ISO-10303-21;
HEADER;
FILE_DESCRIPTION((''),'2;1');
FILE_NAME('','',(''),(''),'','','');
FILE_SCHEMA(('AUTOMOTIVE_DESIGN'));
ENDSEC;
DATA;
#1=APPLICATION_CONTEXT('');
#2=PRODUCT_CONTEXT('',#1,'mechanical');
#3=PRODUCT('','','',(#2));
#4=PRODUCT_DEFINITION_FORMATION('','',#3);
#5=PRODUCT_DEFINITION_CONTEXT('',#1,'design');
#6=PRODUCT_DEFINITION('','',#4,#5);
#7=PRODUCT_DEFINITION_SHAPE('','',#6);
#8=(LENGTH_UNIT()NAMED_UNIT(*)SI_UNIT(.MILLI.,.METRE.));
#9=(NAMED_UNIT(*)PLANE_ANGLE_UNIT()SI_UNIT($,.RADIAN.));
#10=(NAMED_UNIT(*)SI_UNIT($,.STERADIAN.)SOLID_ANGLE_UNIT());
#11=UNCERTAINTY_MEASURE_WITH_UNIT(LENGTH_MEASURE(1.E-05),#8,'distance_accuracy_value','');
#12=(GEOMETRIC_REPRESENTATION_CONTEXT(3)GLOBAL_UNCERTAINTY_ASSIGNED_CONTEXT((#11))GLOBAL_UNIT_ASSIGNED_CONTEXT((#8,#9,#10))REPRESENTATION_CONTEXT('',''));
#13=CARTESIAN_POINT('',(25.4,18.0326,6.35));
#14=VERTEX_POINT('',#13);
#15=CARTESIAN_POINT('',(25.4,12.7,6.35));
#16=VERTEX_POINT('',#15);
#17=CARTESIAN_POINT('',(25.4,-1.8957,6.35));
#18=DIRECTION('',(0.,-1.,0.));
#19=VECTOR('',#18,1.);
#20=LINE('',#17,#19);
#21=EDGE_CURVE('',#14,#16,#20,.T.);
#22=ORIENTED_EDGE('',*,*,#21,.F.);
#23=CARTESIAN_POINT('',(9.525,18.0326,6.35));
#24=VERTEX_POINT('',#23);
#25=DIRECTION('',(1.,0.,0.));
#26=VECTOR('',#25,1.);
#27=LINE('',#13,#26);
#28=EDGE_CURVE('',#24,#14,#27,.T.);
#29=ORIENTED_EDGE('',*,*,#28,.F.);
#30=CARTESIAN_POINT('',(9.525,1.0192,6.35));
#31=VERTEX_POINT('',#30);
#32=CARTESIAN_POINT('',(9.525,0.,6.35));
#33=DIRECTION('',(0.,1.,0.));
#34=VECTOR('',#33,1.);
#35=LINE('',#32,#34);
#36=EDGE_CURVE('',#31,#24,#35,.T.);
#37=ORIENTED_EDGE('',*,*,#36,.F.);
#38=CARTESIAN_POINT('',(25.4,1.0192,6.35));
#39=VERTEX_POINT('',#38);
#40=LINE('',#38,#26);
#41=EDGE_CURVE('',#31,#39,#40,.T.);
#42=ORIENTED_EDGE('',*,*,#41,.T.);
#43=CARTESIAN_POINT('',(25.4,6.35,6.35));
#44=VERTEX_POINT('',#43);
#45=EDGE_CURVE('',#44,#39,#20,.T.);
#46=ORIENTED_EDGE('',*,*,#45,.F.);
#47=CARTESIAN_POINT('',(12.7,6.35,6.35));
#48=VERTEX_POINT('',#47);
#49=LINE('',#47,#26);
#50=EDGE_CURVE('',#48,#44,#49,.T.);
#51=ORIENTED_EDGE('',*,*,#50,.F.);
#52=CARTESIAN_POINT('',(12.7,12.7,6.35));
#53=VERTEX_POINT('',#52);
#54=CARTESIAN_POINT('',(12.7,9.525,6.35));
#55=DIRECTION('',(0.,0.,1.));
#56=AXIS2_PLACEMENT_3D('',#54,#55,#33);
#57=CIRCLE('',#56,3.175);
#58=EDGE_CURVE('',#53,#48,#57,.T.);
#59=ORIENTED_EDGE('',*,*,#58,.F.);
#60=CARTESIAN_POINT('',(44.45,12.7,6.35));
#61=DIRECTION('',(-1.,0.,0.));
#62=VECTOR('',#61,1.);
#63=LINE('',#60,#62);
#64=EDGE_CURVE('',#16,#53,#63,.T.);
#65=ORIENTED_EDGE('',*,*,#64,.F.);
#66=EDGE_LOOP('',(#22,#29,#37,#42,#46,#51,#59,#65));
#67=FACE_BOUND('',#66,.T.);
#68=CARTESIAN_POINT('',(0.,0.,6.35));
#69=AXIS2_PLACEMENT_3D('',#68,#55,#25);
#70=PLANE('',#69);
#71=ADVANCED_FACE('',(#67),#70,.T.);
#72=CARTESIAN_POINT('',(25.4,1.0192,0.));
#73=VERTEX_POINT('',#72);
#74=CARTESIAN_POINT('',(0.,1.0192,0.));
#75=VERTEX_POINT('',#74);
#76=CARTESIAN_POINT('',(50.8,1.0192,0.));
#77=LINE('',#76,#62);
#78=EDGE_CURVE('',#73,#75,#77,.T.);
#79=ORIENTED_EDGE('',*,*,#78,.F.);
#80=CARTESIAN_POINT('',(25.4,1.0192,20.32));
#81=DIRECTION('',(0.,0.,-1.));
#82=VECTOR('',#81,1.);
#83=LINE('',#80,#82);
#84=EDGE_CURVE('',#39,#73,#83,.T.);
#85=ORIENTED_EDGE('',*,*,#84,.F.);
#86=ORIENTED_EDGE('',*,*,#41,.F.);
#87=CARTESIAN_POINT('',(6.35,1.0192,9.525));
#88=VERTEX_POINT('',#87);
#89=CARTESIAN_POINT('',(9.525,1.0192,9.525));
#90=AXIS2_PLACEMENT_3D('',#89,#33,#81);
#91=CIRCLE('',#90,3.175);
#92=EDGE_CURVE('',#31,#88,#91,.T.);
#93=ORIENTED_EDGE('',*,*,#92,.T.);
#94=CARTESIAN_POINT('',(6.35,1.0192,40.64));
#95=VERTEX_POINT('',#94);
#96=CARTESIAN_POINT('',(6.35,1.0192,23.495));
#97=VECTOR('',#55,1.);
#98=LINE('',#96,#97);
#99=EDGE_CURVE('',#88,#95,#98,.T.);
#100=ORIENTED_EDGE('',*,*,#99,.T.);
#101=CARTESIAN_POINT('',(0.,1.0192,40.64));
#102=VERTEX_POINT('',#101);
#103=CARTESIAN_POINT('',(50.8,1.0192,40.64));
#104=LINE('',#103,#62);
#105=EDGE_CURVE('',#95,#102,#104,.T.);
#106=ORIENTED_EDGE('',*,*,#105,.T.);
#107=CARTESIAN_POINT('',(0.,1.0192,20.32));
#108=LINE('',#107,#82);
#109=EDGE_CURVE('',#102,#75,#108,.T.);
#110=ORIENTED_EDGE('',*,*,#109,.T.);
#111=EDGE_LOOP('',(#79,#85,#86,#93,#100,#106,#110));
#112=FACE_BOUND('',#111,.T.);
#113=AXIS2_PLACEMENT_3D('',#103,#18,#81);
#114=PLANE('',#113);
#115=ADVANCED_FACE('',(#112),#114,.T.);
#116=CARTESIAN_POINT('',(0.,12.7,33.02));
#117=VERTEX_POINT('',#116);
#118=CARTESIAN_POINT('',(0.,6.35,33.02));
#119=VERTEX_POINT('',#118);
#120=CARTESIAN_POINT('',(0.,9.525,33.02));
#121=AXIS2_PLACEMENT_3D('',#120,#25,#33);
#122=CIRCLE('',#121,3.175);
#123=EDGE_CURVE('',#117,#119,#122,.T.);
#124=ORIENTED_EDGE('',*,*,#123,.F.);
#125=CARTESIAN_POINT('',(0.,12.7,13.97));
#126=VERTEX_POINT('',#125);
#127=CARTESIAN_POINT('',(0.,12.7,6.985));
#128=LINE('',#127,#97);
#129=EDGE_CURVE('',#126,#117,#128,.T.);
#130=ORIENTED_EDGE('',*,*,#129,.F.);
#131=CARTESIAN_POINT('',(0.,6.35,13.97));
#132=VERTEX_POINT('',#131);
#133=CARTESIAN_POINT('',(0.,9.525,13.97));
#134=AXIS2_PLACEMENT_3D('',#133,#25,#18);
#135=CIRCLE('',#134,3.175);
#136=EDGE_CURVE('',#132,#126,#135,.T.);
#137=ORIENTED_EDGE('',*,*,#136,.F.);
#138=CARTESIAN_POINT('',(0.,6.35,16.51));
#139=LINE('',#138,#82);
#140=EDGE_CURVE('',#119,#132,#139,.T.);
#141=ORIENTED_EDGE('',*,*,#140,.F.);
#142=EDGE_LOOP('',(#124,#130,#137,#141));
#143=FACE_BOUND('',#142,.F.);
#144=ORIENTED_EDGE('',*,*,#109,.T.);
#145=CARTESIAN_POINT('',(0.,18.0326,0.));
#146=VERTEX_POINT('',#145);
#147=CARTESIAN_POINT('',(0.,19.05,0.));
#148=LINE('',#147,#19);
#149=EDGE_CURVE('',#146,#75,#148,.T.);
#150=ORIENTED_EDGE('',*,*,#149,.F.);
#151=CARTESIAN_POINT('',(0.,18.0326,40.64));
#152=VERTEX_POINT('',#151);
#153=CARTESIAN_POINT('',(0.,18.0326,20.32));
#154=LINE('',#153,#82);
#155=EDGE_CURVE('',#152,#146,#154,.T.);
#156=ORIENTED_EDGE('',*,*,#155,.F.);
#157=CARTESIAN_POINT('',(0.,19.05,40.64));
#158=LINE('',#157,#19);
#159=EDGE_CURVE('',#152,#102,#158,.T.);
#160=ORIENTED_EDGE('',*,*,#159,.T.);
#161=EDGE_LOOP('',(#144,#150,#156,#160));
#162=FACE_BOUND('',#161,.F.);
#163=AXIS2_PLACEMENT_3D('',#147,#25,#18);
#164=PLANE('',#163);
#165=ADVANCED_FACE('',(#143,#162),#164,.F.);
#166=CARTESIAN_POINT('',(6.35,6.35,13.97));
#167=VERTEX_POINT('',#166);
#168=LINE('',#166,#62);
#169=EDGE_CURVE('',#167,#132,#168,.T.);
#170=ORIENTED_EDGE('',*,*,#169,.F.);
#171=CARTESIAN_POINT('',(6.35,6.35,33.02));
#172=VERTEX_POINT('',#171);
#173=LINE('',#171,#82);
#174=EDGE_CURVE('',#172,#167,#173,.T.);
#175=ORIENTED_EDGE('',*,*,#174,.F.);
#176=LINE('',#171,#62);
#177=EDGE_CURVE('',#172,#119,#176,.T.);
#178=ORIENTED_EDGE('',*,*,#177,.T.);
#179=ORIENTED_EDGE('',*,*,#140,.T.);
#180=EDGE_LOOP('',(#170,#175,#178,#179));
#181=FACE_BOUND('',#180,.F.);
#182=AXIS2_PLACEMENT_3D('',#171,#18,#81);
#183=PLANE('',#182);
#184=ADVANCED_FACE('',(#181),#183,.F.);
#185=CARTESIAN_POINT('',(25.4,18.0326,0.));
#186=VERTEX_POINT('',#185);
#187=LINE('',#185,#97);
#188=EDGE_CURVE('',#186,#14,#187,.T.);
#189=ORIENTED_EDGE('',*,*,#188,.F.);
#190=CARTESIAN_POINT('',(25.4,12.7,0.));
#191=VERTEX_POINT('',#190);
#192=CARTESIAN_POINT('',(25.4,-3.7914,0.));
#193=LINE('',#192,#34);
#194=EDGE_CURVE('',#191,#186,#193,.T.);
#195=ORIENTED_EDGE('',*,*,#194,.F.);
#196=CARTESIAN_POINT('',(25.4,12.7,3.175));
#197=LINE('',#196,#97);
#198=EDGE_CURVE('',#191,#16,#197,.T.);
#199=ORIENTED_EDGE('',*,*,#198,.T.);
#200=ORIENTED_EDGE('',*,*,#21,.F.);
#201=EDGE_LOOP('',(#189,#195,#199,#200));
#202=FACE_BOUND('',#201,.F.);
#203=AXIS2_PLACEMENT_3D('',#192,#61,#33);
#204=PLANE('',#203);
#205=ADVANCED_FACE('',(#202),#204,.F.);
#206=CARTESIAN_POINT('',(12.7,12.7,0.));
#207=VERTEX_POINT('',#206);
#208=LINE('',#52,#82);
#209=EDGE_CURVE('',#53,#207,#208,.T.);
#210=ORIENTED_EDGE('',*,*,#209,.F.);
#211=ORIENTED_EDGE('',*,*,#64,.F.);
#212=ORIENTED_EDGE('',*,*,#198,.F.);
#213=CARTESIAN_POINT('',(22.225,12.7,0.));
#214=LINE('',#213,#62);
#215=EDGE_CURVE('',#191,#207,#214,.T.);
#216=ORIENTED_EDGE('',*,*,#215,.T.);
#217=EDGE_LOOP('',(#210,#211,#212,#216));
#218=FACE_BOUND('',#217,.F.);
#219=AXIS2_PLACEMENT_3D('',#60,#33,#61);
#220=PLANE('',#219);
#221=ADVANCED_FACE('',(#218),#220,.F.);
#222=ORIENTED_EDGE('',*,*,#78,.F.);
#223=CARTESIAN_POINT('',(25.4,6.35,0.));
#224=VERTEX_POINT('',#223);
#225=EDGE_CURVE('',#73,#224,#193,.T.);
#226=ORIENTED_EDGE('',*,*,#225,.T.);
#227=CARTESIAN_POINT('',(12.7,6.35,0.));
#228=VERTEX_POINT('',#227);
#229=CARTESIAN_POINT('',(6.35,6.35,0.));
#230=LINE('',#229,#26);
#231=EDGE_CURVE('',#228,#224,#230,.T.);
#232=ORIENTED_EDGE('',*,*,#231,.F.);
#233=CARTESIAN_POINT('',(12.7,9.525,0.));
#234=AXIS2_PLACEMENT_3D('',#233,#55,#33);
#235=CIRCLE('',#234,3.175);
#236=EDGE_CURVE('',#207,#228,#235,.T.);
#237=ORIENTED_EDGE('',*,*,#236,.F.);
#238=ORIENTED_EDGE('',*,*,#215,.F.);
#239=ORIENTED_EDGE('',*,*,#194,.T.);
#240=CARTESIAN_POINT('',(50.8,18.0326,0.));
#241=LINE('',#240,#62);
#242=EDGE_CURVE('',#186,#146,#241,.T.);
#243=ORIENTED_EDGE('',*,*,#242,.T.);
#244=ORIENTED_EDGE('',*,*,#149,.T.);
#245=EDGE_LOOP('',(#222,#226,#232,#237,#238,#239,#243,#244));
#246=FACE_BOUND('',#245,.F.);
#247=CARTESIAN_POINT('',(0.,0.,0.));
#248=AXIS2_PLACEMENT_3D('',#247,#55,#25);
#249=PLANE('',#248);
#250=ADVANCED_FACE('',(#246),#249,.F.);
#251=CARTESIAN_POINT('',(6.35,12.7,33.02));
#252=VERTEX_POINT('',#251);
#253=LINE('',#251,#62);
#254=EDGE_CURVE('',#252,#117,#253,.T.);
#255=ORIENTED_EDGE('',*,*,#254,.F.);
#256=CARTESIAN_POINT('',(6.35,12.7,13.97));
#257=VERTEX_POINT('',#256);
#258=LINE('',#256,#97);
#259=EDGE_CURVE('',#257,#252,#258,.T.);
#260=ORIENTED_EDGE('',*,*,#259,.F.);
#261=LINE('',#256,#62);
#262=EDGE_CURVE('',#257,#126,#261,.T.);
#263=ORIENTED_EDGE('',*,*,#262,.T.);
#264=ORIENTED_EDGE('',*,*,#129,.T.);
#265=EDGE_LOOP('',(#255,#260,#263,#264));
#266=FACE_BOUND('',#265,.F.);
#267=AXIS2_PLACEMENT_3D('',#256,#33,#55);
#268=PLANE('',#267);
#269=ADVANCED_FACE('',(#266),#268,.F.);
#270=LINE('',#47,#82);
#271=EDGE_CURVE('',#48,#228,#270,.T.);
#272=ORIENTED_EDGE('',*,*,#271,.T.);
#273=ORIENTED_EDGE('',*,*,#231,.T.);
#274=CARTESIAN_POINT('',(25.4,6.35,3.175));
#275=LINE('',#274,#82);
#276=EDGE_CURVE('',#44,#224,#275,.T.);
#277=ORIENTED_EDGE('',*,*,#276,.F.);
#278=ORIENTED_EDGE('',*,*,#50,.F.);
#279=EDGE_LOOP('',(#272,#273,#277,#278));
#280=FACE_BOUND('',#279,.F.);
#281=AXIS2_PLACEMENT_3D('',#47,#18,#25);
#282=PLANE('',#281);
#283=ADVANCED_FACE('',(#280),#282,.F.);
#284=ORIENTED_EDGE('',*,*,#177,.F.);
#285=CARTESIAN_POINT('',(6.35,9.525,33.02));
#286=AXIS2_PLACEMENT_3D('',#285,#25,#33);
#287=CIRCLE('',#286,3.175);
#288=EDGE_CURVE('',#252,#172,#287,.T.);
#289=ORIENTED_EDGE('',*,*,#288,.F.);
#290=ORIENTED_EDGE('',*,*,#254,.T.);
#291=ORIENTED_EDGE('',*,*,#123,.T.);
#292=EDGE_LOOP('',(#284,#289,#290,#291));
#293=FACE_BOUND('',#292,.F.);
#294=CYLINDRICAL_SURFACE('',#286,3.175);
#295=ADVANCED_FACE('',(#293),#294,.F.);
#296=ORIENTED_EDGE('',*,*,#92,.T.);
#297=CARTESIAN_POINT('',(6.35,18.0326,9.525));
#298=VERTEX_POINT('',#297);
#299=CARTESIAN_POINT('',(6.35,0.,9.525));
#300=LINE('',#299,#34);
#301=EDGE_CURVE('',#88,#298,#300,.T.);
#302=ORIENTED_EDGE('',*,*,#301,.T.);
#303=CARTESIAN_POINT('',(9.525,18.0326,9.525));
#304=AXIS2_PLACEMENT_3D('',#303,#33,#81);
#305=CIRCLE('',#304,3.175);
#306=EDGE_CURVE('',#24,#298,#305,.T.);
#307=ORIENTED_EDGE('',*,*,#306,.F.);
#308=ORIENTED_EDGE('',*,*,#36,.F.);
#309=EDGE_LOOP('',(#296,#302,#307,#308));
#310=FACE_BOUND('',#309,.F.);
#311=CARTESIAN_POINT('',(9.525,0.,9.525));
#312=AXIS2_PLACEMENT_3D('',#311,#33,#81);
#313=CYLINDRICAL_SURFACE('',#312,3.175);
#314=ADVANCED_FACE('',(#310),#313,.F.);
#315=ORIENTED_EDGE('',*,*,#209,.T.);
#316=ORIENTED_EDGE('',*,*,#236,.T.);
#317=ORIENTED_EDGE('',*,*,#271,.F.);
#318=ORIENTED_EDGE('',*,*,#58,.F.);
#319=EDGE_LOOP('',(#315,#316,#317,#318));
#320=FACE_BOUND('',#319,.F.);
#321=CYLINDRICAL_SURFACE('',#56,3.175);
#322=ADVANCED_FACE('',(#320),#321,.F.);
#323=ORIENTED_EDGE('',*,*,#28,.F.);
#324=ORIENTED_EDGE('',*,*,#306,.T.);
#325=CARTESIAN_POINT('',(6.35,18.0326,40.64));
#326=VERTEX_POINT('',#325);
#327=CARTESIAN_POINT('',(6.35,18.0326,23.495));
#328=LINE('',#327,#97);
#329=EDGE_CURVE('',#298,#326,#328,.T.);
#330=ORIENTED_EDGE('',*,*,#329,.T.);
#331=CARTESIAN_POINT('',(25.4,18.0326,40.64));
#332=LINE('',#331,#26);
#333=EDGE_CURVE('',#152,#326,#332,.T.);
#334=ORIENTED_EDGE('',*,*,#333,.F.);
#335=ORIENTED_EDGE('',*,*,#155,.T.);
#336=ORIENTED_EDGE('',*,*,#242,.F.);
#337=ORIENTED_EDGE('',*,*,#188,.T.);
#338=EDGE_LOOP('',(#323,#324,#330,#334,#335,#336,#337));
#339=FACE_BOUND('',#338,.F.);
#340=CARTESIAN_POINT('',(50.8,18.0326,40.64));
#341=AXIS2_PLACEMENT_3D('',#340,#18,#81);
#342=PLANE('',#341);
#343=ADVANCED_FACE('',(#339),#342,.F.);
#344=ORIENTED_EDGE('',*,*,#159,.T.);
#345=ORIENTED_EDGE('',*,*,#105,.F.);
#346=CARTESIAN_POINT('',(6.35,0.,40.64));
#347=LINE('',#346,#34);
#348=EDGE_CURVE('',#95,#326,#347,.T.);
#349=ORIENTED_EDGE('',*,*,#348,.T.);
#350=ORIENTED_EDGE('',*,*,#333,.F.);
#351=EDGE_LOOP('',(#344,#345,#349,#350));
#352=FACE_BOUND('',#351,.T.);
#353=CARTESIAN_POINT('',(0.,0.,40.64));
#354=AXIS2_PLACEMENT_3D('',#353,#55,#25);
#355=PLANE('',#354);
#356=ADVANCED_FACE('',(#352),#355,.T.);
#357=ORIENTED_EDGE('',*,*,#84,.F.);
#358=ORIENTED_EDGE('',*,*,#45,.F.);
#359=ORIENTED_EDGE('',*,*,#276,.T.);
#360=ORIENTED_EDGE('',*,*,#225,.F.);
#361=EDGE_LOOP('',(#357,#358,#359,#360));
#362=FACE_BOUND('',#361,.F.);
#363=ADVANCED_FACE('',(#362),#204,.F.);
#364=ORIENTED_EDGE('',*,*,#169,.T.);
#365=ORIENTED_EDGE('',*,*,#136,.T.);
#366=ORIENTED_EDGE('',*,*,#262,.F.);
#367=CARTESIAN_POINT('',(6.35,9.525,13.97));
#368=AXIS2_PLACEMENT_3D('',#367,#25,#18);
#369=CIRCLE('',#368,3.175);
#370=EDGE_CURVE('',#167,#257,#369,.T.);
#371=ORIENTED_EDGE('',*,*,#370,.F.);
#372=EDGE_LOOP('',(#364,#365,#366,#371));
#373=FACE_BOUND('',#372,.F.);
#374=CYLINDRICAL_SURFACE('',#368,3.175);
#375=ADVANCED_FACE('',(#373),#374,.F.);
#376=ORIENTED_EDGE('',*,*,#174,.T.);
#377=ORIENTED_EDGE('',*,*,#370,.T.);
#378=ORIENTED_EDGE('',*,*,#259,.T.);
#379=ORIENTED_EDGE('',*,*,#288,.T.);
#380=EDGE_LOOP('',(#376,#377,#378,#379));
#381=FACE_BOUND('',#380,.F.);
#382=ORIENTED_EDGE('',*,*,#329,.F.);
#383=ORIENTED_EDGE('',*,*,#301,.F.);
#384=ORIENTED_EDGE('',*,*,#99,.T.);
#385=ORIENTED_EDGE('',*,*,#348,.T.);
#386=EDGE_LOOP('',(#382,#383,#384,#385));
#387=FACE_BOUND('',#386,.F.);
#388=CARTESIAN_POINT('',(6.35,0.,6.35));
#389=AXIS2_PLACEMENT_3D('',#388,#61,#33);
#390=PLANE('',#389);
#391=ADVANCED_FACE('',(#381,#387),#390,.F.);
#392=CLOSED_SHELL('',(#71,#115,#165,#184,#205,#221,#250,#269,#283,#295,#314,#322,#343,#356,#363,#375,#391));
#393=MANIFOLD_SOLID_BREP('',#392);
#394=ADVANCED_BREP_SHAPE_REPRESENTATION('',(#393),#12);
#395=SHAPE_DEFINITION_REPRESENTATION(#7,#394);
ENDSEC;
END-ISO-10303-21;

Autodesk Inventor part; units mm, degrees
ref_plane "YZ Plane" through (0, 0, 0) normal (1, 0, 0) x (0, 1, 0)
ref_plane "XZ Plane" through (0, 0, 0) normal (0, 1, 0) x (-1, 0, 0)
ref_plane "XY Plane" through (0, 0, 0) normal (0, 0, 1) x (1, 0, 0)
sketch "Sketch1" plane through (0, 0, 0) normal (0, 0, 1) x (1, 0, 0)
  line L0 (0, 0) -> (50.8, 0)
  line L1 (50.8, 0) -> (50.8, 19.05)
  line L2 (50.8, 19.05) -> (0, 19.05)
  line L3 (0, 19.05) -> (0, 0)
  dimension "d0" = 50.8
  dimension "d1" = 19.05
extrude "Extrusion1" add sketch "Sketch1" along normal blind 6.35
sketch "Sketch2" plane through (0, 0, 6.35) normal (0, 0, 1) x (1, 0, 0)
  line L0 (0, 19.05) -> (0, 0) projected
  line L1 (50.8, 19.05) -> (0, 19.05) projected
  line L2 (0, 0) -> (6.35, 0)
  line L3 (6.35, 0) -> (6.35, 19.05)
  line L4 (6.35, 19.05) -> (0, 19.05)
  line L5 (0, 19.05) -> (0, 0)
  dimension "d4" = 6.35
extrude "Extrusion2" add sketch "Sketch2" along normal blind 34.29
sketch "Sketch3" plane through (6.35, 0, 6.35) normal (1, 0, 0) x (0, 0, -1)
  line L0 (-26.67, 9.525) -> (-7.62, 9.525) construction
  line L1 (-26.67, 6.35) -> (-7.62, 6.35)
  line L2 (-7.62, 12.7) -> (-26.67, 12.7)
  arc A0 (-26.67, 12.7) -> (-26.67, 6.35) centre (-26.67, 9.525) ccw
  arc A1 (-7.62, 6.35) -> (-7.62, 12.7) centre (-7.62, 9.525) ccw
  point P0 (6.35, 0)
  point P1 (-17.145, 9.525)
  dimension "d7" = 9.525
  dimension "d8" = 6.35
extrude "Extrusion3" cut sketch "Sketch3" against normal blind 34.29
sketch "Sketch4" plane through (0, 0, 6.35) normal (0, 0, 1) x (1, 0, 0)
  line L0 (44.45, 9.525) -> (12.7, 9.525) construction
  line L1 (44.45, 12.7) -> (12.7, 12.7)
  line L2 (12.7, 6.35) -> (44.45, 6.35)
  arc A0 (44.45, 6.35) -> (44.45, 12.7) centre (44.45, 9.525) ccw
  arc A1 (12.7, 12.7) -> (12.7, 6.35) centre (12.7, 9.525) ccw
  point P0 (0, 0)
  point P1 (28.575, 9.525)
  dimension "d11" = 15.875
  dimension "d12" = 6.35
extrude "Extrusion4" cut sketch "Sketch4" against normal blind 34.29
fillet "Fillet1" radius 3.175 1 edges at (6.35, 9.525, 6.35)
sketch "Sketch5" plane through (50.8, 0, 0) normal (1, 0, 0) x (0, 0, -1)
  line L0 (0, 19.05) -> (-40.64, 19.05) projected
  line L1 (0, 19.05) -> (-41.8279, 19.05)
  line L2 (-41.8279, 19.05) -> (-41.8279, 18.0326)
  line L3 (-41.8279, 18.0326) -> (0, 18.0326)
  line L4 (0, 18.0326) -> (0, 19.05)
  line L5 (0, 19.05) -> (0, 0) projected
  line L6 (-40.64, 0) -> (-40.64, 19.05) projected
  line L7 (0, 0) -> (-40.64, 0)
  line L8 (-40.64, 0) -> (-40.64, 1.0192)
  line L9 (-40.64, 1.0192) -> (0, 1.0192)
  line L10 (0, 1.0192) -> (0, 0)
extrude "Extrusion5" cut sketch "Sketch5" against normal through all contours L4 L3 L6 L0 | L6 L3 L2 L1 | L5 L7 L6 L9
sketch "Sketch6" plane through (0, 0, 0) normal (0, 0, -1) x (-1, 0, 0)
  line L0 (-50.8, 18.0326) -> (-9.525, 18.0326) projected
  line L1 (-25.4, 18.0326) -> (-61.3669, 18.0326)
  line L2 (-61.3669, 18.0326) -> (-61.3669, -3.7914)
  line L3 (-61.3669, -3.7914) -> (-25.4, -3.7914)
  line L4 (-25.4, -3.7914) -> (-25.4, 18.0326)
  point P0 (0, 0)
extrude "Extrusion6" cut sketch "Sketch6" against normal through all
properties part number "BLKbackplaneBracketMid"
